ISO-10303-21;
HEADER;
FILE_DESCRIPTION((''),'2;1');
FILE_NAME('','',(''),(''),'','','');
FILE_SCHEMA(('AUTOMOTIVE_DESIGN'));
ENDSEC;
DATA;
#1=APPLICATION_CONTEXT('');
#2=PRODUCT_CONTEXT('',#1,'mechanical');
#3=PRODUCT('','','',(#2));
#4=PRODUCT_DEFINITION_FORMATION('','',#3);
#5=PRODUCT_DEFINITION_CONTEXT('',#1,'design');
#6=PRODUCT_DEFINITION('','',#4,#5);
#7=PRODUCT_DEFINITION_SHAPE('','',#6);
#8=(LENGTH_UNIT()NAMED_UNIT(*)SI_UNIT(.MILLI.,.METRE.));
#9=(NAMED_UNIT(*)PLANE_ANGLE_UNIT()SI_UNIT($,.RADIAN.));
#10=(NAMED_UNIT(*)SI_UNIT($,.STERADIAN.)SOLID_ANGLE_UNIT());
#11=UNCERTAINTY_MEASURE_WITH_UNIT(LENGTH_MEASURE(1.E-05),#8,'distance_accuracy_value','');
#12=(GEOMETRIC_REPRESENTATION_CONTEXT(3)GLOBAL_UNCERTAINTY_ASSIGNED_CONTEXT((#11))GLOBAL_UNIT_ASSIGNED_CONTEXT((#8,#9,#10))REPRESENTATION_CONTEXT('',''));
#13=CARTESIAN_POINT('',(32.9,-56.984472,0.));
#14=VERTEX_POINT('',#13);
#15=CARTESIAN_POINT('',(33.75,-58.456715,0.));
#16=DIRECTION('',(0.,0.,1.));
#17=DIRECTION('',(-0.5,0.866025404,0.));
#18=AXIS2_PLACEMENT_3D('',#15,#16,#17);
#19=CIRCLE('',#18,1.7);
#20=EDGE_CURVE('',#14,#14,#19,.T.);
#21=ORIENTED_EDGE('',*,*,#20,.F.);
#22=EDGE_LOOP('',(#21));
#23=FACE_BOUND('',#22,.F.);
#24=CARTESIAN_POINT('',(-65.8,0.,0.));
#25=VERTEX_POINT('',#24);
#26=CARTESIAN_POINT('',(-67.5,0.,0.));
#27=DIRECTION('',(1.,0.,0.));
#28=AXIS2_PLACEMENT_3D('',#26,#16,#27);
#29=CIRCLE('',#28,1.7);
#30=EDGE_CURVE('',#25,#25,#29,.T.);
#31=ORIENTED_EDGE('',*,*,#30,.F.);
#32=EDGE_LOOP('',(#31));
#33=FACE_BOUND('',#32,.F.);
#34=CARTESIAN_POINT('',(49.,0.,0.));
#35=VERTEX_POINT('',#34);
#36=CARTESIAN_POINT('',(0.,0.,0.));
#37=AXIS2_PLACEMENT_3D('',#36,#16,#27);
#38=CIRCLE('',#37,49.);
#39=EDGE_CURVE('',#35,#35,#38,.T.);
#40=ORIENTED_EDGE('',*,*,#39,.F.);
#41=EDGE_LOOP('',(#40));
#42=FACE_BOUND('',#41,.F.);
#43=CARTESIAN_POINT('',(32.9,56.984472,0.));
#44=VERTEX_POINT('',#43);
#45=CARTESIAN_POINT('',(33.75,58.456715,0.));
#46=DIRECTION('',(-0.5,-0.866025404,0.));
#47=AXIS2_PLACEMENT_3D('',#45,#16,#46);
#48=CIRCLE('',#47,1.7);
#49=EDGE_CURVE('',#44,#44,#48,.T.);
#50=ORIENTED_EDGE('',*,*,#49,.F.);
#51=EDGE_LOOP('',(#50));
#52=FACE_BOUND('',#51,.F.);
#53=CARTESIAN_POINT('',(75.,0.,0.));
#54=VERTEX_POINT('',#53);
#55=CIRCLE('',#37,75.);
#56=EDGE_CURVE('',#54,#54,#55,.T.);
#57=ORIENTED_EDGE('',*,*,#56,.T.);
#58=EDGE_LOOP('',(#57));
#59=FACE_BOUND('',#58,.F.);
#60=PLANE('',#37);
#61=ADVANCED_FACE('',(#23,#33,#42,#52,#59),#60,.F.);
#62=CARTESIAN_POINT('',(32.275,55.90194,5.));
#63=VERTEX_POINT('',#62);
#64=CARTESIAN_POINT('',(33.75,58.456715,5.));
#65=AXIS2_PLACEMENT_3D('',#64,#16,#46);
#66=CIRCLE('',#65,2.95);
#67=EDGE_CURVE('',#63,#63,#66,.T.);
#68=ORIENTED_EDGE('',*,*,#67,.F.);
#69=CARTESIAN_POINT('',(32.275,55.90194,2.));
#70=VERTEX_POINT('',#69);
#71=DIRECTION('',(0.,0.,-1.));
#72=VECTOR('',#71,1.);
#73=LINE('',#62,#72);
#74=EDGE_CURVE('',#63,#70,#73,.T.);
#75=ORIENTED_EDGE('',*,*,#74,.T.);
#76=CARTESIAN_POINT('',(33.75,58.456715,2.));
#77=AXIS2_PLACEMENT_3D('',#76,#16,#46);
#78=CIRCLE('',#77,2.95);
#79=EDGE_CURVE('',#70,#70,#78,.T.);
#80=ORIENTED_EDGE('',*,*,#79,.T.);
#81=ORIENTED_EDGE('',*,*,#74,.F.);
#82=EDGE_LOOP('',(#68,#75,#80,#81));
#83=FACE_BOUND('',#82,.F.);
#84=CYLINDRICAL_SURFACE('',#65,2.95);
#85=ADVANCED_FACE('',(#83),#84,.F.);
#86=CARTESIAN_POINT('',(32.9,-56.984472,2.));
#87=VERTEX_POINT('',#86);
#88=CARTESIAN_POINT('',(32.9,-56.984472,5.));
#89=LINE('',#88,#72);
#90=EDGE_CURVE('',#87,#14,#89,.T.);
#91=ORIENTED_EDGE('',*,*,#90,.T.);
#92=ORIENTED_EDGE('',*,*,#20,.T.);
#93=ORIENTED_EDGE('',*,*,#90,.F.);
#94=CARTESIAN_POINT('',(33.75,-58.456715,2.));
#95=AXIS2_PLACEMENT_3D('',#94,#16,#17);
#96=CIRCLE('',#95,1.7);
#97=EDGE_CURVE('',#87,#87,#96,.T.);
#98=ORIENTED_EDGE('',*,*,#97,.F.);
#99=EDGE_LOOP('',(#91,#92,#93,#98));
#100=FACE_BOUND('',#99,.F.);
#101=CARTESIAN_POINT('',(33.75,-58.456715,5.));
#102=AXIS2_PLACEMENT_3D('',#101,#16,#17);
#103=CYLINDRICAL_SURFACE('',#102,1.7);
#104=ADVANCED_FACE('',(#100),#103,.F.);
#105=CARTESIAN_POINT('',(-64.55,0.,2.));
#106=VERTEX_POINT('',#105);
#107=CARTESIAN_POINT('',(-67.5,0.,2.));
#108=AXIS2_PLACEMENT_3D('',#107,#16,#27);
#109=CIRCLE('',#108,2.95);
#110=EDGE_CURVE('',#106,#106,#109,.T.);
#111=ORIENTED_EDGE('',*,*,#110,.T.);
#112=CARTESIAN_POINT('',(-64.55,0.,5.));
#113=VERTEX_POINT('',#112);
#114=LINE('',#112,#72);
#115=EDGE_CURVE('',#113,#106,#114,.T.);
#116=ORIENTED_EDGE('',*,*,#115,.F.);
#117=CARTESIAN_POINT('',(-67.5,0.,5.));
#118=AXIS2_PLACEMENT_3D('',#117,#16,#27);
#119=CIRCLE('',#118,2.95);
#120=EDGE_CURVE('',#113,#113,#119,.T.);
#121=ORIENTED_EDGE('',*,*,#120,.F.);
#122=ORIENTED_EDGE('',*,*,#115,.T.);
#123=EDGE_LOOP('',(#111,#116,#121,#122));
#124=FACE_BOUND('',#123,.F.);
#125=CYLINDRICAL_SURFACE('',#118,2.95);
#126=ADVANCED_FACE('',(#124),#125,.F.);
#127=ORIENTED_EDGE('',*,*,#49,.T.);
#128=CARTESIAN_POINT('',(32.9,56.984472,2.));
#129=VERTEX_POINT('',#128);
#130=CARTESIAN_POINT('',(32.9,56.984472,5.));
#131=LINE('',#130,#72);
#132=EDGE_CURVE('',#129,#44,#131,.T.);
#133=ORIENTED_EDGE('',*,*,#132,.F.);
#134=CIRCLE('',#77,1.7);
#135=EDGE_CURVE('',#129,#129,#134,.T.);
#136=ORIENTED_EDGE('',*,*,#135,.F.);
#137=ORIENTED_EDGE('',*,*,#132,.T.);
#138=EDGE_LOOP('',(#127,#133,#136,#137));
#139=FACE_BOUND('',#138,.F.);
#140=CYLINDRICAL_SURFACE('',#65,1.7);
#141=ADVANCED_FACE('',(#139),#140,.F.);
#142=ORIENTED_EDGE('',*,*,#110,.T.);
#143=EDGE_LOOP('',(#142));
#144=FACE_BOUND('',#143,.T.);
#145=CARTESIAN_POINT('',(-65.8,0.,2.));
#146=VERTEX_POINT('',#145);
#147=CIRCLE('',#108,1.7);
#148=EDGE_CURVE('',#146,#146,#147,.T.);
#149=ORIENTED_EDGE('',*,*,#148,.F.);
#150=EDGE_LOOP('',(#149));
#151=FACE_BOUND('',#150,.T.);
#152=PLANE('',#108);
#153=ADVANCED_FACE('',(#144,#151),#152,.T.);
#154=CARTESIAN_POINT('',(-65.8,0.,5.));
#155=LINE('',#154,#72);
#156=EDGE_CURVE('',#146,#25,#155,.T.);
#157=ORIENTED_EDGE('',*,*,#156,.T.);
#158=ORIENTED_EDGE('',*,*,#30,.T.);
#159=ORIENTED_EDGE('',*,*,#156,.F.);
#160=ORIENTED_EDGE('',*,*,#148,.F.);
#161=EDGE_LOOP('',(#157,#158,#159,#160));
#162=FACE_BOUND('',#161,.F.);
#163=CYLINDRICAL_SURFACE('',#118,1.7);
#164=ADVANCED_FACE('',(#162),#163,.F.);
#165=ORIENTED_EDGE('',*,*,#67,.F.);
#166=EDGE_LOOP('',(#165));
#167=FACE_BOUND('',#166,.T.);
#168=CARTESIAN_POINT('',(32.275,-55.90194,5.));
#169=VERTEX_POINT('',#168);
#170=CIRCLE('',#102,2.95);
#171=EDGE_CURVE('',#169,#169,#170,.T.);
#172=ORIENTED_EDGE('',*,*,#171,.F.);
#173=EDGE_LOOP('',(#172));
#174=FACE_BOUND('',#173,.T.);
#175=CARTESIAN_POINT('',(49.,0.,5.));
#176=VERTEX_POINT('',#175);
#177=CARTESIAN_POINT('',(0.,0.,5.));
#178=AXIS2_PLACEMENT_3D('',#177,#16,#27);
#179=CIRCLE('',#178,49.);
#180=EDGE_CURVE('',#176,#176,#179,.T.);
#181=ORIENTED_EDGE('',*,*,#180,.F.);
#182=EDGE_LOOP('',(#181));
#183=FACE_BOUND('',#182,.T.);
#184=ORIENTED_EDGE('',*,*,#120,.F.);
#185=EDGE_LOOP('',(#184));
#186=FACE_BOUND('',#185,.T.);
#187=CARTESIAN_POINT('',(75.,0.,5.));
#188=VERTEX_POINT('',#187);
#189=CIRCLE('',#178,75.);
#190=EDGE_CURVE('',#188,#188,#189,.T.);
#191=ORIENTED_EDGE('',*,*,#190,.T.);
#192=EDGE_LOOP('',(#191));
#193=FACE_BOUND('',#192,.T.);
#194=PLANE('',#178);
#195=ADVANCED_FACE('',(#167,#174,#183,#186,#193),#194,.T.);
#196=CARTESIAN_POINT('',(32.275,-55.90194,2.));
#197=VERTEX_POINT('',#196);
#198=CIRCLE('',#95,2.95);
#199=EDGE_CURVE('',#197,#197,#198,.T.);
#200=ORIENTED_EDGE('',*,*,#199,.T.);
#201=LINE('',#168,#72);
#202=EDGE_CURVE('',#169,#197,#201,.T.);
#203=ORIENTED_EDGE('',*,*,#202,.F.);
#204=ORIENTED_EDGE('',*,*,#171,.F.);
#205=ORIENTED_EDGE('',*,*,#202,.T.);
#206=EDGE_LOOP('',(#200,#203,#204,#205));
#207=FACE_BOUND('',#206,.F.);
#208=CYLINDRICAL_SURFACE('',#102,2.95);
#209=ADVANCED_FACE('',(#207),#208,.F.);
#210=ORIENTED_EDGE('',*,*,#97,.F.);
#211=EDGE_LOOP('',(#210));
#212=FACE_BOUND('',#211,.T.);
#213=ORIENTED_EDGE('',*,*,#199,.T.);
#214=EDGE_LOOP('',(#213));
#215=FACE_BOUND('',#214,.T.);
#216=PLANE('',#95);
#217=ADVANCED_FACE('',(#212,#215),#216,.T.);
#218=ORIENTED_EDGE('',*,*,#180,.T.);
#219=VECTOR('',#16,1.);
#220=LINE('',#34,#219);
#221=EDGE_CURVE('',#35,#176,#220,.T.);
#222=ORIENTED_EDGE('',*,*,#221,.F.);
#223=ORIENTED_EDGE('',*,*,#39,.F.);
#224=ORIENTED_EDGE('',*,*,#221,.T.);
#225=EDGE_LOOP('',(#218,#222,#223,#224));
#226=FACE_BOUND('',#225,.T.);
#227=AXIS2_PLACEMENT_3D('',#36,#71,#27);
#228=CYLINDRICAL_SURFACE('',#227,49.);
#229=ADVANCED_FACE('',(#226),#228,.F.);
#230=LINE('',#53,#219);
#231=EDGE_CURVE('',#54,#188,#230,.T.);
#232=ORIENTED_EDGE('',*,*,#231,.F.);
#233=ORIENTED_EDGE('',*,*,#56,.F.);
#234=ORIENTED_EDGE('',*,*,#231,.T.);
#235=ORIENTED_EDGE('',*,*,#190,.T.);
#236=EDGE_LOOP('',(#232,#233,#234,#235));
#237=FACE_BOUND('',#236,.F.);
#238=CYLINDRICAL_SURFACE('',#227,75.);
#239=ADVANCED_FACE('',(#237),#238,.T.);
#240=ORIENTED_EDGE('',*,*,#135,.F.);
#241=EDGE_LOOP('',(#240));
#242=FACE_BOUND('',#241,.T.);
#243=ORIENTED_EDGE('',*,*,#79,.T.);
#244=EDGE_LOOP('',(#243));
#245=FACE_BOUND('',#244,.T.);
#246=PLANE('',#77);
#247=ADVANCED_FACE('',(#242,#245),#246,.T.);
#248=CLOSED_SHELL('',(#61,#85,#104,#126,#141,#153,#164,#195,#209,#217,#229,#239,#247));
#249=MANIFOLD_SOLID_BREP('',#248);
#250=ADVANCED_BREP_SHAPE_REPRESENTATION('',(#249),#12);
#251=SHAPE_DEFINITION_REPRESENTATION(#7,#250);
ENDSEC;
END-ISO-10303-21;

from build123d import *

# Parameters (mm, degrees)
SKETCH_R           = 75
SKETCH_R_2         = 49
PAD_DEPTH          = 5
SKETCH001_R        = 1.7
POCKET_DEPTH       = 429.382903
SKETCH002_R        = 2.95
POCKET001_DEPTH    = 3
POLARPATTERN_COUNT = 3


with BuildPart() as part:
    # Sketch → Pad (new body)
    with BuildSketch(Plane.XY):
        Circle(SKETCH_R)
        Circle(SKETCH_R_2, mode=Mode.SUBTRACT)
    extrude(amount=PAD_DEPTH)

    # Sketch001 (on Face4 of Pad) → Pocket (cut, through all)
    with BuildSketch(Plane.XY.offset(5)):
        with Locations((-67.5, 0)):
            Circle(SKETCH001_R)
    pocket = extrude(amount=-POCKET_DEPTH, mode=Mode.SUBTRACT)

    # Sketch002 (on Face3 of Pocket) → Pocket001 (cut)
    with BuildSketch(Plane.XY.offset(5)):
        with Locations((-67.5, 0)):
            Circle(SKETCH002_R)
    pocket001 = extrude(amount=-POCKET001_DEPTH, mode=Mode.SUBTRACT)

    # PolarPattern: Pocket001, Pocket ×3 about axis
    polarpattern_axis = Axis((0, 0, 5), (0, 0, 1))
    for i in range(1, POLARPATTERN_COUNT):
        add(pocket001.rotate(polarpattern_axis, i * 360 / POLARPATTERN_COUNT), mode=Mode.SUBTRACT)
        add(pocket.rotate(polarpattern_axis, i * 360 / POLARPATTERN_COUNT), mode=Mode.SUBTRACT)


solid = part.part
